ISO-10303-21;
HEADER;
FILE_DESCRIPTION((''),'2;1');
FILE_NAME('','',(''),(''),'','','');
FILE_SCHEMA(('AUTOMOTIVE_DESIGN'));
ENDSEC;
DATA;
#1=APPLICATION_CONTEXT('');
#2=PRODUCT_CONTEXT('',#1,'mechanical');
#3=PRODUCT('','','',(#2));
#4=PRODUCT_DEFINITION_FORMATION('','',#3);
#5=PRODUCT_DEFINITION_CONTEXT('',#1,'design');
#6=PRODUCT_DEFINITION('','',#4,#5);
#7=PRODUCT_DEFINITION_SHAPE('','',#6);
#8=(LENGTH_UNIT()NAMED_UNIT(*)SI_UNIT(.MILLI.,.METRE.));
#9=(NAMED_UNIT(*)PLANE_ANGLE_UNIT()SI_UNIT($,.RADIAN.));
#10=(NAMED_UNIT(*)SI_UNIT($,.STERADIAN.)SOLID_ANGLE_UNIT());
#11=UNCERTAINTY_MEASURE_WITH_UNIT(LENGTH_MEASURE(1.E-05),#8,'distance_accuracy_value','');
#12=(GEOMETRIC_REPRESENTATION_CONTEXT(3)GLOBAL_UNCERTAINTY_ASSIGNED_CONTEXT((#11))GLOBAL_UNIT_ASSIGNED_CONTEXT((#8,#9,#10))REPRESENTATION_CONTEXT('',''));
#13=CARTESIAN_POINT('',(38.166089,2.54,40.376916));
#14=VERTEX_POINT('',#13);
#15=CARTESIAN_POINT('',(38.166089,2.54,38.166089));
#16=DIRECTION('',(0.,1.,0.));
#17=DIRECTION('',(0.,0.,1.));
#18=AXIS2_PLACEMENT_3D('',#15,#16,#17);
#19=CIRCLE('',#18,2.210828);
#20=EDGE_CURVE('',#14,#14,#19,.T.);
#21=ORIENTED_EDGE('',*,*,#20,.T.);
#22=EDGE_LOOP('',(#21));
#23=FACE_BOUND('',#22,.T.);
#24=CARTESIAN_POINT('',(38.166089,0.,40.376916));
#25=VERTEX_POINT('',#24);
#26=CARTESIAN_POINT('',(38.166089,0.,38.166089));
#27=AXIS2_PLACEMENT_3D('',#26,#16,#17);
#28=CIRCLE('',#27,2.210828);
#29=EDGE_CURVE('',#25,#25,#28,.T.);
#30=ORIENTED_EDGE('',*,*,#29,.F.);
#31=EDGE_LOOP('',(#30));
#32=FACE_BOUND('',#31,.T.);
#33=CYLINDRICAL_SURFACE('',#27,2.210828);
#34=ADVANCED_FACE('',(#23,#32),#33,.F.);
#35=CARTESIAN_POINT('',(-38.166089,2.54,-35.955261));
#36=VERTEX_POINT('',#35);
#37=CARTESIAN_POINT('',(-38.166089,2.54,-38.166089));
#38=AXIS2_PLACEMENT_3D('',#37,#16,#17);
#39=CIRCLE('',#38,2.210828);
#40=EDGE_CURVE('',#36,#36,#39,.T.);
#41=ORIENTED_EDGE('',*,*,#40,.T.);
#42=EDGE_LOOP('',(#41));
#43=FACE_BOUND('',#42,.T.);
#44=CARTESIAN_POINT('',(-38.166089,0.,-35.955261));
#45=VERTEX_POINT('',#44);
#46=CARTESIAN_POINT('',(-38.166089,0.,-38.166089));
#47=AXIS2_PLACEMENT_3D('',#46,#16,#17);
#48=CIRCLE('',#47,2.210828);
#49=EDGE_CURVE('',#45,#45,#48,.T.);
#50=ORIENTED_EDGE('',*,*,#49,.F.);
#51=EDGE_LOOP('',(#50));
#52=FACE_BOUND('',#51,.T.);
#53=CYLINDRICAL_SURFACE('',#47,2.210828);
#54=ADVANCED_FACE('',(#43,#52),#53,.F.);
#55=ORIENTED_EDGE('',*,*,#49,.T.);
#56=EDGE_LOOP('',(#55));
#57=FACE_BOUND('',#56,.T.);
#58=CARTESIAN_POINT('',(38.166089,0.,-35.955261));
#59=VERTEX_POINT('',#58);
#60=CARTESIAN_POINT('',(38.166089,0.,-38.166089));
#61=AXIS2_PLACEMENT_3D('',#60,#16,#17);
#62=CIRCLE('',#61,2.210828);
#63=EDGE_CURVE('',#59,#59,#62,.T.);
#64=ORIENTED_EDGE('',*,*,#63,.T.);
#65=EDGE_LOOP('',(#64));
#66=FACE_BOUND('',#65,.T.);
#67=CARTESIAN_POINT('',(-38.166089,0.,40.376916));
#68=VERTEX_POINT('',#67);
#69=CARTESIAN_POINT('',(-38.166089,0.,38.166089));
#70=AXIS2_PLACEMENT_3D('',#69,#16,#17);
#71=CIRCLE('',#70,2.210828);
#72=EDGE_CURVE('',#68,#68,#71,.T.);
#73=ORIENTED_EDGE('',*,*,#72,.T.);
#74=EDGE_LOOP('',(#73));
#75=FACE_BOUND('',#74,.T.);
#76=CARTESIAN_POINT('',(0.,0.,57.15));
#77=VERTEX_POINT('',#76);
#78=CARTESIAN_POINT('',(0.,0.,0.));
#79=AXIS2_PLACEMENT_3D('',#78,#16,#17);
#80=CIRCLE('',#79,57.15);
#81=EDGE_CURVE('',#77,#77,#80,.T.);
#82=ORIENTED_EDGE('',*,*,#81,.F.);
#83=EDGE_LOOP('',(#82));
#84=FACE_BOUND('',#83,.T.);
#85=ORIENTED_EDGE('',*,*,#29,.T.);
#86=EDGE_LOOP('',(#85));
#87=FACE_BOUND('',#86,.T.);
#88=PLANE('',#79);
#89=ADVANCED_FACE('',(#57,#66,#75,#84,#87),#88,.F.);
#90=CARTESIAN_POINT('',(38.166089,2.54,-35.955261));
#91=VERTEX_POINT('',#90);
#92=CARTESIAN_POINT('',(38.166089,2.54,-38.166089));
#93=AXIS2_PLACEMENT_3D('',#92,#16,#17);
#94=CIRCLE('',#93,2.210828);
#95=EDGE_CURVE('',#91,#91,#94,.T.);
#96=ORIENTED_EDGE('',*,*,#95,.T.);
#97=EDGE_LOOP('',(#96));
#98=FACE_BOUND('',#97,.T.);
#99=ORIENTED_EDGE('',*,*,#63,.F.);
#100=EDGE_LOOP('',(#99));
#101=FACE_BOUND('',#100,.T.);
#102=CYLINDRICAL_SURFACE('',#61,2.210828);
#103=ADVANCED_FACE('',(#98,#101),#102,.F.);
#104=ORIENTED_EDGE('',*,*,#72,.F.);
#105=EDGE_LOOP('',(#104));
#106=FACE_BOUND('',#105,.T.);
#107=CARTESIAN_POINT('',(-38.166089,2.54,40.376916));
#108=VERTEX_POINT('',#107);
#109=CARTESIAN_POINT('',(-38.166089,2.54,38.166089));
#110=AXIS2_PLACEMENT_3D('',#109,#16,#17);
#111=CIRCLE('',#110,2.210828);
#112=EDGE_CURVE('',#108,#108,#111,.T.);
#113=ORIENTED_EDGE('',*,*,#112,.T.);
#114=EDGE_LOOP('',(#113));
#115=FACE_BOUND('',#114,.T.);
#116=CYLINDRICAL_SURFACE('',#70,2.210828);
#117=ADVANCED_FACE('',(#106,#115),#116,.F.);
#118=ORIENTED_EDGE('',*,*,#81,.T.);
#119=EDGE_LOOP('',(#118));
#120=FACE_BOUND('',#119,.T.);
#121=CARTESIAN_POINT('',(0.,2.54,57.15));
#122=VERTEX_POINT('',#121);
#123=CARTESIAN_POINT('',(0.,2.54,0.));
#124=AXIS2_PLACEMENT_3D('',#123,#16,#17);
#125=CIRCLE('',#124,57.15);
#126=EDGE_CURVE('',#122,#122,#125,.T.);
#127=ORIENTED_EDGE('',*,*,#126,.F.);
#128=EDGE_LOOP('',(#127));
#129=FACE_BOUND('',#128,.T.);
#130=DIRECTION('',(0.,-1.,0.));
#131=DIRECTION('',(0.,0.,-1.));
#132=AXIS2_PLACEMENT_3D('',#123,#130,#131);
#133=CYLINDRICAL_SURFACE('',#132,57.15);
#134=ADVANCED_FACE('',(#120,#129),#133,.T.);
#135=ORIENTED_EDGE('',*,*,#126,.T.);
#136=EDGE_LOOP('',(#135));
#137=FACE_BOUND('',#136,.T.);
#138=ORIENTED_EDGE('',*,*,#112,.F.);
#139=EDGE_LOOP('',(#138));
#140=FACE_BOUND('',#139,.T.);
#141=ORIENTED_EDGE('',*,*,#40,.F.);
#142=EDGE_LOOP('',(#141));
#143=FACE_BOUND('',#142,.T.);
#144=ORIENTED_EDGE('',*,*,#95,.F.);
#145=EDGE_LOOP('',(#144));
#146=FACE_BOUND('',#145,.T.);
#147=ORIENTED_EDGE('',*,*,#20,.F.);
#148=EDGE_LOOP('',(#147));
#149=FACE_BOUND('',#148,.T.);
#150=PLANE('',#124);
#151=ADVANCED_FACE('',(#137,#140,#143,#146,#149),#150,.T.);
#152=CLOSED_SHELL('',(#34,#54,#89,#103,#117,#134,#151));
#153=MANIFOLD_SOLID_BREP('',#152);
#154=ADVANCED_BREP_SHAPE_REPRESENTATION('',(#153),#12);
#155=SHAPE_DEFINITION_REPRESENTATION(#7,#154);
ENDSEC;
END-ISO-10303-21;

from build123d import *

# Parameters (mm, degrees)
SKETCH1_R           = 57.15
BOSS_EXTRUDE1_DEPTH = 2.54
SKETCH2_R           = 2.21082771
CUT_EXTRUDE1_DEPTH  = 3.54


with BuildPart() as part:
    # Sketch1 → Boss-Extrude1 (new body)
    with BuildSketch(Plane(origin=(0, 0, 0), x_dir=(1, 0, 0), z_dir=(0, 1, 0))):
        Circle(SKETCH1_R)
    extrude(amount=BOSS_EXTRUDE1_DEPTH)

    # Sketch2 → Cut-Extrude1 (cut, through all)
    with BuildSketch(Plane(origin=(0, 2.54, 0), x_dir=(1, 0, 0), z_dir=(0, 1, 0))):
        with Locations((-38.166088515, 38.166088515)):
            Circle(SKETCH2_R)
        with Locations((38.166088515, 38.166088515)):
            Circle(SKETCH2_R)
        with Locations((38.166088515, -38.166088515)):
            Circle(SKETCH2_R)
        with Locations((-38.166088515, -38.166088515)):
            Circle(SKETCH2_R)
    extrude(amount=-CUT_EXTRUDE1_DEPTH, mode=Mode.SUBTRACT)


solid = part.part
